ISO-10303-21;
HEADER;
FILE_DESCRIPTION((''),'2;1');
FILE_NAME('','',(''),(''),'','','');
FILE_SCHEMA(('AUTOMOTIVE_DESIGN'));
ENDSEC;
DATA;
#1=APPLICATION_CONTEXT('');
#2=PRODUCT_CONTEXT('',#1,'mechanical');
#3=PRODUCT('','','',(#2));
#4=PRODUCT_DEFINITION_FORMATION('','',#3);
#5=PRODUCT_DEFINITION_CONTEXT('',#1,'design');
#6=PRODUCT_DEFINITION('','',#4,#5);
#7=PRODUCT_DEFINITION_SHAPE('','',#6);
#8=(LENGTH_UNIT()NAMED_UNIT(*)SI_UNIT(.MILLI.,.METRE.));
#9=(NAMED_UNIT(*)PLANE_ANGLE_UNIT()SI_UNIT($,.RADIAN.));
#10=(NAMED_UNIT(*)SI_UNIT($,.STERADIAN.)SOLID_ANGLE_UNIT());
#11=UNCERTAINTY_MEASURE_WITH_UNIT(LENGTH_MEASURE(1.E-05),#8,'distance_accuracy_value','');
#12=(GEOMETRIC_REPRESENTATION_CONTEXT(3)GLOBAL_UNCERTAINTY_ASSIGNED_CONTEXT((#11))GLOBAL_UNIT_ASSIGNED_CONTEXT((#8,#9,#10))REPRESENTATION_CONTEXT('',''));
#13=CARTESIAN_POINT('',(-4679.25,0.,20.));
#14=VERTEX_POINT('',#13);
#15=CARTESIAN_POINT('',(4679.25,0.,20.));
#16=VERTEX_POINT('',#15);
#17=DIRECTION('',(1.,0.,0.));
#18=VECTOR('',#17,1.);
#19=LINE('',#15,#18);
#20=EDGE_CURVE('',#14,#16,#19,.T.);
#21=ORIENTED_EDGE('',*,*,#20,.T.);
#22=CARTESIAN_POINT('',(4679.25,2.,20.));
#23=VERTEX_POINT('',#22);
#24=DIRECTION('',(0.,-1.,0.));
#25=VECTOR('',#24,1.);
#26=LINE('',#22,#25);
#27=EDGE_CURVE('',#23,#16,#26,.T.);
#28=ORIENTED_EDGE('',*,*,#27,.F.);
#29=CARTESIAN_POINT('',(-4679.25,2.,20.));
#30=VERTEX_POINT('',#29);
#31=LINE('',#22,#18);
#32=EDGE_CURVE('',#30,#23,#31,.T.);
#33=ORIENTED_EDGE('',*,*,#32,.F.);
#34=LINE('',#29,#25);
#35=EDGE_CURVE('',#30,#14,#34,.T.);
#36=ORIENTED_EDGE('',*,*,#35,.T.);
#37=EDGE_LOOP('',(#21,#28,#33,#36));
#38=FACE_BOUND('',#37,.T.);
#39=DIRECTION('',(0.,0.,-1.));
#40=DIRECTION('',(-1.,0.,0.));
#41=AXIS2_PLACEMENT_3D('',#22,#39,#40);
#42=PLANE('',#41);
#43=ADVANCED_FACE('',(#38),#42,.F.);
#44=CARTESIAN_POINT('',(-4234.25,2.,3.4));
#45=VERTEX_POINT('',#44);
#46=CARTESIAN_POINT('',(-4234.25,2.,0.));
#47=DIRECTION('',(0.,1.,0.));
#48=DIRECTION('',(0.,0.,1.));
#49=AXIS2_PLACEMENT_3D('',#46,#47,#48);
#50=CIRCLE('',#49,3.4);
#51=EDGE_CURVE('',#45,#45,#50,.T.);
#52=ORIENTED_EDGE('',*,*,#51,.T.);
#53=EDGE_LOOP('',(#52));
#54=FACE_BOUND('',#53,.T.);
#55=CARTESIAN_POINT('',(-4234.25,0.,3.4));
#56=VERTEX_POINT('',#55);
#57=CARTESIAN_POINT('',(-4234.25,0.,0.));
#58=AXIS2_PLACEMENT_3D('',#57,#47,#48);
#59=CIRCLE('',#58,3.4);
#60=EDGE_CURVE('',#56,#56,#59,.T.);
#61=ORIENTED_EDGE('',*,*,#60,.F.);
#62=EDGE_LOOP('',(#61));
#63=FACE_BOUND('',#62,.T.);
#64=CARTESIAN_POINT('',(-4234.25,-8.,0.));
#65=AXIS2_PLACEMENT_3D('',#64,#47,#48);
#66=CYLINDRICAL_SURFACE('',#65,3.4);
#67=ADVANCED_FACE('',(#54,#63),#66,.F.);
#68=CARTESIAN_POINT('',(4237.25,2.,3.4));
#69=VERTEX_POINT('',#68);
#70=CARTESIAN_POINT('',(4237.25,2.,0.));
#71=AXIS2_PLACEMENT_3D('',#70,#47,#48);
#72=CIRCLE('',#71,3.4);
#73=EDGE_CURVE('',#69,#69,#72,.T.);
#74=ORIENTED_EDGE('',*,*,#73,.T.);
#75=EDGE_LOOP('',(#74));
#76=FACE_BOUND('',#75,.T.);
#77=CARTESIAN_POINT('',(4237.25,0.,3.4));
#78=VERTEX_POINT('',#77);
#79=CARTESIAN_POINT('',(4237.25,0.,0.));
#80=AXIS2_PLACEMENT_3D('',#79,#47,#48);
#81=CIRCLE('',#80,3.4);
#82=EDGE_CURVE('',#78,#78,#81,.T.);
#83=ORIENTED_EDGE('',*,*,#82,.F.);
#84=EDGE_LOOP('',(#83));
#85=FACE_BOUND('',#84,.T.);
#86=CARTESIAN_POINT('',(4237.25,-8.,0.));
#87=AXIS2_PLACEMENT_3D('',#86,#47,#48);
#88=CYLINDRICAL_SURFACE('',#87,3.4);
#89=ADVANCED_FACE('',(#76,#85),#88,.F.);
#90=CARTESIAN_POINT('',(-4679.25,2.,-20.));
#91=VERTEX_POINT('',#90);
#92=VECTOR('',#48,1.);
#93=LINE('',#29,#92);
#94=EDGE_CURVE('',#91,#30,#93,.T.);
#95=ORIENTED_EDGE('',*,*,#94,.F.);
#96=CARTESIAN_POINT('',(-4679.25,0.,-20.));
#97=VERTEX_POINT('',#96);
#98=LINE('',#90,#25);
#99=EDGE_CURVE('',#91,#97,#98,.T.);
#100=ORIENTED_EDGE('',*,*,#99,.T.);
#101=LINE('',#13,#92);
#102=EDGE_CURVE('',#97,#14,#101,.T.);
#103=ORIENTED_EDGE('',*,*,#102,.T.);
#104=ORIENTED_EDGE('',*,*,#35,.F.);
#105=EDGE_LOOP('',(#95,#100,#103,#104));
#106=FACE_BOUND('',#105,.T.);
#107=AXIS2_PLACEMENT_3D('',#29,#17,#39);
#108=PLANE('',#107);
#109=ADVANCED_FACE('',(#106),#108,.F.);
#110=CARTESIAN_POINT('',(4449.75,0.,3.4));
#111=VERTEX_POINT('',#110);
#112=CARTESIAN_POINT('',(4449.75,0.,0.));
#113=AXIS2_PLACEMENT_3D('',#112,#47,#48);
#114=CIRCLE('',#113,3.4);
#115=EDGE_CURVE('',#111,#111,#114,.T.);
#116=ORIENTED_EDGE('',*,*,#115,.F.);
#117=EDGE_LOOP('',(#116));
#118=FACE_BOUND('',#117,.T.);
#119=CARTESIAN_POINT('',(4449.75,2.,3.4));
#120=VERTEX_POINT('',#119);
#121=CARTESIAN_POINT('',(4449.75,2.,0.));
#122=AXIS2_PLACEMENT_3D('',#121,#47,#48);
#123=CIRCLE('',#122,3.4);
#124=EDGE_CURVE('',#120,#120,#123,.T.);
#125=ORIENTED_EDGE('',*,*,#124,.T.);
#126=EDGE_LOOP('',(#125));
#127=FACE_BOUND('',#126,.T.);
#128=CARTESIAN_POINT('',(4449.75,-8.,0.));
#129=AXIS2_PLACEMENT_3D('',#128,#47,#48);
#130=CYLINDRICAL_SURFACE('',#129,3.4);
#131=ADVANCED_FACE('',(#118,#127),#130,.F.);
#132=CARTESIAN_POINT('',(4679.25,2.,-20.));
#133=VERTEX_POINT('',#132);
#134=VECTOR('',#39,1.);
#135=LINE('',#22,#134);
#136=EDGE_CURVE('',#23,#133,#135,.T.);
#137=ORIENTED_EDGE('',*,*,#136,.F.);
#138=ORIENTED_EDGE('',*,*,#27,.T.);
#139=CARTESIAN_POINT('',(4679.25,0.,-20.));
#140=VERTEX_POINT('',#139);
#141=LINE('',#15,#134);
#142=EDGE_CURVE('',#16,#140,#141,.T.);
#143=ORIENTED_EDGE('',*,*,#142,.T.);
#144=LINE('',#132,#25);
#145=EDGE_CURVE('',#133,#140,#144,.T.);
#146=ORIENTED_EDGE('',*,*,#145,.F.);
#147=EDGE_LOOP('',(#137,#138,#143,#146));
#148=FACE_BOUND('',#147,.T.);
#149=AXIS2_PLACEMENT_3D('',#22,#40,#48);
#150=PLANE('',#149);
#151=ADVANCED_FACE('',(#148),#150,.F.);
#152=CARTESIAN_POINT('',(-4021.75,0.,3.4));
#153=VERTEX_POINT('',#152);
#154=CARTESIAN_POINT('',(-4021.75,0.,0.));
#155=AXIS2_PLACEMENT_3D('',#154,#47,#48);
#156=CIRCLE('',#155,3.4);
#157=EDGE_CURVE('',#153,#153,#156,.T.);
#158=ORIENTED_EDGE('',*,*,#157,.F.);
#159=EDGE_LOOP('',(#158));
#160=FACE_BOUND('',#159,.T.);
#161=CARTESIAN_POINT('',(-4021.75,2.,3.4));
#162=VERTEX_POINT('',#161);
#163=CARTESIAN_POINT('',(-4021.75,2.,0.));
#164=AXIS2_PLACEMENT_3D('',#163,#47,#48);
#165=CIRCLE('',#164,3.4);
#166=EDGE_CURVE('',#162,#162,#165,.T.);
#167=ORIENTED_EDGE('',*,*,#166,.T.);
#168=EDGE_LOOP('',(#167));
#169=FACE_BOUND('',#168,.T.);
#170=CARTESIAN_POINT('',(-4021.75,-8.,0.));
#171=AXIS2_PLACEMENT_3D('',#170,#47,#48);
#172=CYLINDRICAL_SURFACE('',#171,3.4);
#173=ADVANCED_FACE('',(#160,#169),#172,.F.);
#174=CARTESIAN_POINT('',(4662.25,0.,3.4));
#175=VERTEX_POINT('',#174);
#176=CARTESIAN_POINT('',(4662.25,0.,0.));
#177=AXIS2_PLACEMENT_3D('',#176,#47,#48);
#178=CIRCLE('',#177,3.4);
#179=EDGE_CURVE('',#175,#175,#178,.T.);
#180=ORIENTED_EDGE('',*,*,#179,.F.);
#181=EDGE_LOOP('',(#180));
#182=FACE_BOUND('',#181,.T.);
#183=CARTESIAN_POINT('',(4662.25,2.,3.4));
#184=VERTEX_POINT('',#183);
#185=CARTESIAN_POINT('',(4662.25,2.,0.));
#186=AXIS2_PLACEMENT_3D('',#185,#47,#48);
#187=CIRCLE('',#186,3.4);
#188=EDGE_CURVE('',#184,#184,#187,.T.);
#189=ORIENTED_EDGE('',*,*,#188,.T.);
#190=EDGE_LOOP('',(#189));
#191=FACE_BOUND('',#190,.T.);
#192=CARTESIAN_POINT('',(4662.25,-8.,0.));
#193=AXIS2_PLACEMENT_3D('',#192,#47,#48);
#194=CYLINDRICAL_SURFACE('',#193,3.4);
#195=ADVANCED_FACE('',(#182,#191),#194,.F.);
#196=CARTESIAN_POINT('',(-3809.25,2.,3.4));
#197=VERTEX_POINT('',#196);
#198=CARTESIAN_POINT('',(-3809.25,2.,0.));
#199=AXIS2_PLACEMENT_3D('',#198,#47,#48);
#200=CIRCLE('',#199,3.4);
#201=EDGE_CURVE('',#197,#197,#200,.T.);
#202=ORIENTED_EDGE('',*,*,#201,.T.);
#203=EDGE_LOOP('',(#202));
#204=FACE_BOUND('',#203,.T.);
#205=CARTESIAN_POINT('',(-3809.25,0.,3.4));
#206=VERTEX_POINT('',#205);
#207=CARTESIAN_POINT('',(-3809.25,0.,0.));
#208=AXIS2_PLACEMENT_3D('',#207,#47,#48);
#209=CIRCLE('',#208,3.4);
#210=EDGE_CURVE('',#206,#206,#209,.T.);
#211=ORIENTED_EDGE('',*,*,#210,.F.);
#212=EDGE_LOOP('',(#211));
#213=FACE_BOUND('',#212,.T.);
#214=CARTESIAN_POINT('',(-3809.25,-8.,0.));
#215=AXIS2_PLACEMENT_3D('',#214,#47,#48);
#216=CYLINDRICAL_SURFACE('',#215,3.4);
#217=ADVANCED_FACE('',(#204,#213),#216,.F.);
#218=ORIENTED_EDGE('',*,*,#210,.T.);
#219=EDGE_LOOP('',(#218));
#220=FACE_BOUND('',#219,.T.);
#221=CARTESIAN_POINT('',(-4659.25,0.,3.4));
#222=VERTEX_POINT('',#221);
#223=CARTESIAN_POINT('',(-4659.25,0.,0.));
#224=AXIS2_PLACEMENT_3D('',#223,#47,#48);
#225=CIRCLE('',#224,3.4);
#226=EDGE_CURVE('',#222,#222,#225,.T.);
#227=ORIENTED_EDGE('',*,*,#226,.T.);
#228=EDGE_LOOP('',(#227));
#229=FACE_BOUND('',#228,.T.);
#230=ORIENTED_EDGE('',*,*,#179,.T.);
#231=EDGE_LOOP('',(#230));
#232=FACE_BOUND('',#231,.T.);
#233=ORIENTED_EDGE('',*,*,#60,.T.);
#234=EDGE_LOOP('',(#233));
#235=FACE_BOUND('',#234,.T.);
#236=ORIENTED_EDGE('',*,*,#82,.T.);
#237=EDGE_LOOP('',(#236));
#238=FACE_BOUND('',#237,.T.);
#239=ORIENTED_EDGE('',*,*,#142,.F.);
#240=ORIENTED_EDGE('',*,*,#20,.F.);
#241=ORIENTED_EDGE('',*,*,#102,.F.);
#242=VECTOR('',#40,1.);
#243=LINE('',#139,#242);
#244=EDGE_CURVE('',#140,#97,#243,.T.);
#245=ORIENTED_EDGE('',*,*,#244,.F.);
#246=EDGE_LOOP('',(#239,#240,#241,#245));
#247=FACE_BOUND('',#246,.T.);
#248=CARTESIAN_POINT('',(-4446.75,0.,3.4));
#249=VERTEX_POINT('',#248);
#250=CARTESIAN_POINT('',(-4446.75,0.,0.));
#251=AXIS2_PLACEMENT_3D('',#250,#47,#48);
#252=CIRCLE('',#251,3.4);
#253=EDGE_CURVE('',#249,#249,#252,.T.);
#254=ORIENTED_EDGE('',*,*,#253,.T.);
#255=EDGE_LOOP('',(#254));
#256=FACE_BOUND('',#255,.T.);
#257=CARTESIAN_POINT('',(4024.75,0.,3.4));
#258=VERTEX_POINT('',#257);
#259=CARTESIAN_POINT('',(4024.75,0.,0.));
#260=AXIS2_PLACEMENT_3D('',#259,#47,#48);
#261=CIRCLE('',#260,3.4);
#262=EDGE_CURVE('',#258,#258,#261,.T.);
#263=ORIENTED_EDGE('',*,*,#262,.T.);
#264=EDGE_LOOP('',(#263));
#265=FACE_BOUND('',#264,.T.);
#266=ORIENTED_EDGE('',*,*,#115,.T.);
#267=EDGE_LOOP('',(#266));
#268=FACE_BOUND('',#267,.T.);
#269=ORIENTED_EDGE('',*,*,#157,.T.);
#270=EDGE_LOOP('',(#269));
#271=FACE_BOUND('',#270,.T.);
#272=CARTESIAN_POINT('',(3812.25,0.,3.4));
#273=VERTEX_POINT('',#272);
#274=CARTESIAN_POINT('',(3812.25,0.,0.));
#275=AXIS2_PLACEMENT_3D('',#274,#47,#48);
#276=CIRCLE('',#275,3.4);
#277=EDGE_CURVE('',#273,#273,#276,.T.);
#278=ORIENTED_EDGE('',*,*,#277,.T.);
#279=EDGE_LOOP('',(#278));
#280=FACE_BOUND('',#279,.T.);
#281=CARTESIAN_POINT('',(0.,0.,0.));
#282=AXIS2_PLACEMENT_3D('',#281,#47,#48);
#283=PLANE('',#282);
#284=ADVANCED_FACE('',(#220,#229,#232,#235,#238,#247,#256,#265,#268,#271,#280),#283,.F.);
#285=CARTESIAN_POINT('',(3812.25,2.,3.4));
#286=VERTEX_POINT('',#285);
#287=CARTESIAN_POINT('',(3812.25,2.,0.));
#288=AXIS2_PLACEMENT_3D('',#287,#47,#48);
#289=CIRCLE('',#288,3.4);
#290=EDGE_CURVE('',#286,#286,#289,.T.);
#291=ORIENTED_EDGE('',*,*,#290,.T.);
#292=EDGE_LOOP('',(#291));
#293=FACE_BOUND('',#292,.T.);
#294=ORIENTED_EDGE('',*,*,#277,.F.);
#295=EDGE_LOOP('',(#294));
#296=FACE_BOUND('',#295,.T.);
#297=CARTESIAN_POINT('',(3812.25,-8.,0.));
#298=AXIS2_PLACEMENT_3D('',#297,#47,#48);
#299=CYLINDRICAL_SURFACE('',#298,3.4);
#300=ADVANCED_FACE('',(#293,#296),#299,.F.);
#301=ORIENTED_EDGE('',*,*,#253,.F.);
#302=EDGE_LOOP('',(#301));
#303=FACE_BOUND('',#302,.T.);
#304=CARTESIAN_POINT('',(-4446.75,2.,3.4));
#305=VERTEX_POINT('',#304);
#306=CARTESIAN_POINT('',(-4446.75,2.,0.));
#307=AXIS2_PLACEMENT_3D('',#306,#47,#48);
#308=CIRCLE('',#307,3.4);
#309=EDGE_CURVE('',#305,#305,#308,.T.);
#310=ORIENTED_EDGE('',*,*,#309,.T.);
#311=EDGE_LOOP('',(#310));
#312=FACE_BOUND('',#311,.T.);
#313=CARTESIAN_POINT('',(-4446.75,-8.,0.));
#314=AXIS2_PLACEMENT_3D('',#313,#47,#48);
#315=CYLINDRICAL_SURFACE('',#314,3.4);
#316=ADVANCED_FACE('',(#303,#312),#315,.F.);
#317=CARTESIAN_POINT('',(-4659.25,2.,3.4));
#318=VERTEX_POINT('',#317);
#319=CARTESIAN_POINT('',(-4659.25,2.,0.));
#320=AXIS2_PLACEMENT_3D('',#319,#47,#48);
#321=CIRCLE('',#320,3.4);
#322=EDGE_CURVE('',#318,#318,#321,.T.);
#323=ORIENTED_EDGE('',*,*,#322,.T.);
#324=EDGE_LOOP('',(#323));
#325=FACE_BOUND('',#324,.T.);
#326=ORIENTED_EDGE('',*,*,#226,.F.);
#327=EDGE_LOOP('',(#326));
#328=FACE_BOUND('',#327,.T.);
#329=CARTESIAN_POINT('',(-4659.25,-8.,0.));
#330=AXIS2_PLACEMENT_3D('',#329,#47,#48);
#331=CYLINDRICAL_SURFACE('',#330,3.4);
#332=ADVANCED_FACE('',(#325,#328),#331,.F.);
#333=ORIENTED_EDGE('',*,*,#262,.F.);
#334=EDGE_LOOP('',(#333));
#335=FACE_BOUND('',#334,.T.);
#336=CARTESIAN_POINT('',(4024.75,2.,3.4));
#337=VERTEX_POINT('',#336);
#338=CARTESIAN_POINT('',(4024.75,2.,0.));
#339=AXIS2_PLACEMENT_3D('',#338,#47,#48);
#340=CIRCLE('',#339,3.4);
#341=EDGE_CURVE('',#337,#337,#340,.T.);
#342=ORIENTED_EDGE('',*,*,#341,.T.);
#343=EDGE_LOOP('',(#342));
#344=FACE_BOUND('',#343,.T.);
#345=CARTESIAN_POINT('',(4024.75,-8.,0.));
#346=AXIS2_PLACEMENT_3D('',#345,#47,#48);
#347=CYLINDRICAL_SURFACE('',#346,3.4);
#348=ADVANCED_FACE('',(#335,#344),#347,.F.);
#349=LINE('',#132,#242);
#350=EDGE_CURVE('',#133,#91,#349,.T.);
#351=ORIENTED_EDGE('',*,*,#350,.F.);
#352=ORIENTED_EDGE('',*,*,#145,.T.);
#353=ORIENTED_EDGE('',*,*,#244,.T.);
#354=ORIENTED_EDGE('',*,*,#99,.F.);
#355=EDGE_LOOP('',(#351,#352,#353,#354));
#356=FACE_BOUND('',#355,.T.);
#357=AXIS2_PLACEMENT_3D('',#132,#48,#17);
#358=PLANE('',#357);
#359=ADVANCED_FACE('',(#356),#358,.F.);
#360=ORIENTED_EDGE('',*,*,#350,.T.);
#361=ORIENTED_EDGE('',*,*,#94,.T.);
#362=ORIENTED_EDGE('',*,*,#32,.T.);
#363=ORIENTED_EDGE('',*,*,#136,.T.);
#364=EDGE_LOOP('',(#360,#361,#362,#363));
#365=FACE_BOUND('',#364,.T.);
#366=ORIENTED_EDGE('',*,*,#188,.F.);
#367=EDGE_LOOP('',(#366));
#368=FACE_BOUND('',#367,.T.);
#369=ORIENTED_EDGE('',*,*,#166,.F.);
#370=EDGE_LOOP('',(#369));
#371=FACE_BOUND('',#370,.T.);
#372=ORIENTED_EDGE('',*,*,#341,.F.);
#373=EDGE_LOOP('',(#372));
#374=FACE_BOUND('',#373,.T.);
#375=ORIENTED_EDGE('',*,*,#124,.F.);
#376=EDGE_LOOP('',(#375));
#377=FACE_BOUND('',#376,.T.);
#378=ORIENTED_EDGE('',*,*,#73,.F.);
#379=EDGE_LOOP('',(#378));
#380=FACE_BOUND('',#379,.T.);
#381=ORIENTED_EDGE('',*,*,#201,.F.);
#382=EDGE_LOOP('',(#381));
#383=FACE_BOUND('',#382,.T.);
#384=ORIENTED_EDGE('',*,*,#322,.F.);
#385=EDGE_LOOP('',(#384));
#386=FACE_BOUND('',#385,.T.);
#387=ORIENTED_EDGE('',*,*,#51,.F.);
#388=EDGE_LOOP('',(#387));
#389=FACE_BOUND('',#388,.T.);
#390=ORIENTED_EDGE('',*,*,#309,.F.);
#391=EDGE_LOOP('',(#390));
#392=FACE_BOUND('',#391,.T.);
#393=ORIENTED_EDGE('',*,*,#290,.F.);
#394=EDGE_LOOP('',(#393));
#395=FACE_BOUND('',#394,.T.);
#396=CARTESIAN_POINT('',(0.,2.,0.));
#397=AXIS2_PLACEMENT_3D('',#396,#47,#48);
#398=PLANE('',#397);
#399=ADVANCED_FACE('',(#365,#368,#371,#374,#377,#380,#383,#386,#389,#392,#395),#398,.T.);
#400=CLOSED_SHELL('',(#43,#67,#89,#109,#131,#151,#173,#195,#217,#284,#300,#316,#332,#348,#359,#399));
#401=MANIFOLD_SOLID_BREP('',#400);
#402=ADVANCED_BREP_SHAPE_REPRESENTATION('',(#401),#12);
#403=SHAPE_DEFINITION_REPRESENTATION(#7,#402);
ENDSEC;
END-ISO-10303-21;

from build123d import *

# Parameters (mm, degrees)
SKETCH1_W           = 9358.5
SKETCH1_H           = 40
BOSS_EXTRUDE1_DEPTH = 2
SKETCH2_R           = 3.4
CUT_EXTRUDE1_DEPTH  = 10


with BuildPart() as part:
    # Sketch1 → Boss-Extrude1 (new body)
    with BuildSketch(Plane(origin=(0, 0, 0), x_dir=(1, 0, 0), z_dir=(0, 1, 0))):
        Rectangle(SKETCH1_W, SKETCH1_H)
    extrude(amount=BOSS_EXTRUDE1_DEPTH)

    # Sketch2 → Cut-Extrude1 (cut)
    with BuildSketch(Plane(origin=(0, 2, 0), x_dir=(1, 0, 0), z_dir=(0, 1, 0))):
        with Locations(Location((-4659.25, 0, 0), (0, 0, 270))):
            Circle(SKETCH2_R)
        with Locations(Location((-4446.75, 0, 0), (0, 0, 270))):
            Circle(SKETCH2_R)
        with Locations(Location((-4234.25, 0, 0), (0, 0, 270))):
            Circle(SKETCH2_R)
        with Locations(Location((-4021.75, 0, 0), (0, 0, 270))):
            Circle(SKETCH2_R)
        with Locations(Location((-3809.25, 0, 0), (0, 0, 270))):
            Circle(SKETCH2_R)
        with Locations(Location((4662.25, 0, 0), (0, 0, 270))):
            Circle(SKETCH2_R)
        with Locations(Location((4449.75, 0, 0), (0, 0, 270))):
            Circle(SKETCH2_R)
        with Locations(Location((4237.25, 0, 0), (0, 0, 270))):
            Circle(SKETCH2_R)
        with Locations(Location((4024.75, 0, 0), (0, 0, 270))):
            Circle(SKETCH2_R)
        with Locations(Location((3812.25, 0, 0), (0, 0, 270))):
            Circle(SKETCH2_R)
    extrude(amount=-CUT_EXTRUDE1_DEPTH, mode=Mode.SUBTRACT)


solid = part.part
